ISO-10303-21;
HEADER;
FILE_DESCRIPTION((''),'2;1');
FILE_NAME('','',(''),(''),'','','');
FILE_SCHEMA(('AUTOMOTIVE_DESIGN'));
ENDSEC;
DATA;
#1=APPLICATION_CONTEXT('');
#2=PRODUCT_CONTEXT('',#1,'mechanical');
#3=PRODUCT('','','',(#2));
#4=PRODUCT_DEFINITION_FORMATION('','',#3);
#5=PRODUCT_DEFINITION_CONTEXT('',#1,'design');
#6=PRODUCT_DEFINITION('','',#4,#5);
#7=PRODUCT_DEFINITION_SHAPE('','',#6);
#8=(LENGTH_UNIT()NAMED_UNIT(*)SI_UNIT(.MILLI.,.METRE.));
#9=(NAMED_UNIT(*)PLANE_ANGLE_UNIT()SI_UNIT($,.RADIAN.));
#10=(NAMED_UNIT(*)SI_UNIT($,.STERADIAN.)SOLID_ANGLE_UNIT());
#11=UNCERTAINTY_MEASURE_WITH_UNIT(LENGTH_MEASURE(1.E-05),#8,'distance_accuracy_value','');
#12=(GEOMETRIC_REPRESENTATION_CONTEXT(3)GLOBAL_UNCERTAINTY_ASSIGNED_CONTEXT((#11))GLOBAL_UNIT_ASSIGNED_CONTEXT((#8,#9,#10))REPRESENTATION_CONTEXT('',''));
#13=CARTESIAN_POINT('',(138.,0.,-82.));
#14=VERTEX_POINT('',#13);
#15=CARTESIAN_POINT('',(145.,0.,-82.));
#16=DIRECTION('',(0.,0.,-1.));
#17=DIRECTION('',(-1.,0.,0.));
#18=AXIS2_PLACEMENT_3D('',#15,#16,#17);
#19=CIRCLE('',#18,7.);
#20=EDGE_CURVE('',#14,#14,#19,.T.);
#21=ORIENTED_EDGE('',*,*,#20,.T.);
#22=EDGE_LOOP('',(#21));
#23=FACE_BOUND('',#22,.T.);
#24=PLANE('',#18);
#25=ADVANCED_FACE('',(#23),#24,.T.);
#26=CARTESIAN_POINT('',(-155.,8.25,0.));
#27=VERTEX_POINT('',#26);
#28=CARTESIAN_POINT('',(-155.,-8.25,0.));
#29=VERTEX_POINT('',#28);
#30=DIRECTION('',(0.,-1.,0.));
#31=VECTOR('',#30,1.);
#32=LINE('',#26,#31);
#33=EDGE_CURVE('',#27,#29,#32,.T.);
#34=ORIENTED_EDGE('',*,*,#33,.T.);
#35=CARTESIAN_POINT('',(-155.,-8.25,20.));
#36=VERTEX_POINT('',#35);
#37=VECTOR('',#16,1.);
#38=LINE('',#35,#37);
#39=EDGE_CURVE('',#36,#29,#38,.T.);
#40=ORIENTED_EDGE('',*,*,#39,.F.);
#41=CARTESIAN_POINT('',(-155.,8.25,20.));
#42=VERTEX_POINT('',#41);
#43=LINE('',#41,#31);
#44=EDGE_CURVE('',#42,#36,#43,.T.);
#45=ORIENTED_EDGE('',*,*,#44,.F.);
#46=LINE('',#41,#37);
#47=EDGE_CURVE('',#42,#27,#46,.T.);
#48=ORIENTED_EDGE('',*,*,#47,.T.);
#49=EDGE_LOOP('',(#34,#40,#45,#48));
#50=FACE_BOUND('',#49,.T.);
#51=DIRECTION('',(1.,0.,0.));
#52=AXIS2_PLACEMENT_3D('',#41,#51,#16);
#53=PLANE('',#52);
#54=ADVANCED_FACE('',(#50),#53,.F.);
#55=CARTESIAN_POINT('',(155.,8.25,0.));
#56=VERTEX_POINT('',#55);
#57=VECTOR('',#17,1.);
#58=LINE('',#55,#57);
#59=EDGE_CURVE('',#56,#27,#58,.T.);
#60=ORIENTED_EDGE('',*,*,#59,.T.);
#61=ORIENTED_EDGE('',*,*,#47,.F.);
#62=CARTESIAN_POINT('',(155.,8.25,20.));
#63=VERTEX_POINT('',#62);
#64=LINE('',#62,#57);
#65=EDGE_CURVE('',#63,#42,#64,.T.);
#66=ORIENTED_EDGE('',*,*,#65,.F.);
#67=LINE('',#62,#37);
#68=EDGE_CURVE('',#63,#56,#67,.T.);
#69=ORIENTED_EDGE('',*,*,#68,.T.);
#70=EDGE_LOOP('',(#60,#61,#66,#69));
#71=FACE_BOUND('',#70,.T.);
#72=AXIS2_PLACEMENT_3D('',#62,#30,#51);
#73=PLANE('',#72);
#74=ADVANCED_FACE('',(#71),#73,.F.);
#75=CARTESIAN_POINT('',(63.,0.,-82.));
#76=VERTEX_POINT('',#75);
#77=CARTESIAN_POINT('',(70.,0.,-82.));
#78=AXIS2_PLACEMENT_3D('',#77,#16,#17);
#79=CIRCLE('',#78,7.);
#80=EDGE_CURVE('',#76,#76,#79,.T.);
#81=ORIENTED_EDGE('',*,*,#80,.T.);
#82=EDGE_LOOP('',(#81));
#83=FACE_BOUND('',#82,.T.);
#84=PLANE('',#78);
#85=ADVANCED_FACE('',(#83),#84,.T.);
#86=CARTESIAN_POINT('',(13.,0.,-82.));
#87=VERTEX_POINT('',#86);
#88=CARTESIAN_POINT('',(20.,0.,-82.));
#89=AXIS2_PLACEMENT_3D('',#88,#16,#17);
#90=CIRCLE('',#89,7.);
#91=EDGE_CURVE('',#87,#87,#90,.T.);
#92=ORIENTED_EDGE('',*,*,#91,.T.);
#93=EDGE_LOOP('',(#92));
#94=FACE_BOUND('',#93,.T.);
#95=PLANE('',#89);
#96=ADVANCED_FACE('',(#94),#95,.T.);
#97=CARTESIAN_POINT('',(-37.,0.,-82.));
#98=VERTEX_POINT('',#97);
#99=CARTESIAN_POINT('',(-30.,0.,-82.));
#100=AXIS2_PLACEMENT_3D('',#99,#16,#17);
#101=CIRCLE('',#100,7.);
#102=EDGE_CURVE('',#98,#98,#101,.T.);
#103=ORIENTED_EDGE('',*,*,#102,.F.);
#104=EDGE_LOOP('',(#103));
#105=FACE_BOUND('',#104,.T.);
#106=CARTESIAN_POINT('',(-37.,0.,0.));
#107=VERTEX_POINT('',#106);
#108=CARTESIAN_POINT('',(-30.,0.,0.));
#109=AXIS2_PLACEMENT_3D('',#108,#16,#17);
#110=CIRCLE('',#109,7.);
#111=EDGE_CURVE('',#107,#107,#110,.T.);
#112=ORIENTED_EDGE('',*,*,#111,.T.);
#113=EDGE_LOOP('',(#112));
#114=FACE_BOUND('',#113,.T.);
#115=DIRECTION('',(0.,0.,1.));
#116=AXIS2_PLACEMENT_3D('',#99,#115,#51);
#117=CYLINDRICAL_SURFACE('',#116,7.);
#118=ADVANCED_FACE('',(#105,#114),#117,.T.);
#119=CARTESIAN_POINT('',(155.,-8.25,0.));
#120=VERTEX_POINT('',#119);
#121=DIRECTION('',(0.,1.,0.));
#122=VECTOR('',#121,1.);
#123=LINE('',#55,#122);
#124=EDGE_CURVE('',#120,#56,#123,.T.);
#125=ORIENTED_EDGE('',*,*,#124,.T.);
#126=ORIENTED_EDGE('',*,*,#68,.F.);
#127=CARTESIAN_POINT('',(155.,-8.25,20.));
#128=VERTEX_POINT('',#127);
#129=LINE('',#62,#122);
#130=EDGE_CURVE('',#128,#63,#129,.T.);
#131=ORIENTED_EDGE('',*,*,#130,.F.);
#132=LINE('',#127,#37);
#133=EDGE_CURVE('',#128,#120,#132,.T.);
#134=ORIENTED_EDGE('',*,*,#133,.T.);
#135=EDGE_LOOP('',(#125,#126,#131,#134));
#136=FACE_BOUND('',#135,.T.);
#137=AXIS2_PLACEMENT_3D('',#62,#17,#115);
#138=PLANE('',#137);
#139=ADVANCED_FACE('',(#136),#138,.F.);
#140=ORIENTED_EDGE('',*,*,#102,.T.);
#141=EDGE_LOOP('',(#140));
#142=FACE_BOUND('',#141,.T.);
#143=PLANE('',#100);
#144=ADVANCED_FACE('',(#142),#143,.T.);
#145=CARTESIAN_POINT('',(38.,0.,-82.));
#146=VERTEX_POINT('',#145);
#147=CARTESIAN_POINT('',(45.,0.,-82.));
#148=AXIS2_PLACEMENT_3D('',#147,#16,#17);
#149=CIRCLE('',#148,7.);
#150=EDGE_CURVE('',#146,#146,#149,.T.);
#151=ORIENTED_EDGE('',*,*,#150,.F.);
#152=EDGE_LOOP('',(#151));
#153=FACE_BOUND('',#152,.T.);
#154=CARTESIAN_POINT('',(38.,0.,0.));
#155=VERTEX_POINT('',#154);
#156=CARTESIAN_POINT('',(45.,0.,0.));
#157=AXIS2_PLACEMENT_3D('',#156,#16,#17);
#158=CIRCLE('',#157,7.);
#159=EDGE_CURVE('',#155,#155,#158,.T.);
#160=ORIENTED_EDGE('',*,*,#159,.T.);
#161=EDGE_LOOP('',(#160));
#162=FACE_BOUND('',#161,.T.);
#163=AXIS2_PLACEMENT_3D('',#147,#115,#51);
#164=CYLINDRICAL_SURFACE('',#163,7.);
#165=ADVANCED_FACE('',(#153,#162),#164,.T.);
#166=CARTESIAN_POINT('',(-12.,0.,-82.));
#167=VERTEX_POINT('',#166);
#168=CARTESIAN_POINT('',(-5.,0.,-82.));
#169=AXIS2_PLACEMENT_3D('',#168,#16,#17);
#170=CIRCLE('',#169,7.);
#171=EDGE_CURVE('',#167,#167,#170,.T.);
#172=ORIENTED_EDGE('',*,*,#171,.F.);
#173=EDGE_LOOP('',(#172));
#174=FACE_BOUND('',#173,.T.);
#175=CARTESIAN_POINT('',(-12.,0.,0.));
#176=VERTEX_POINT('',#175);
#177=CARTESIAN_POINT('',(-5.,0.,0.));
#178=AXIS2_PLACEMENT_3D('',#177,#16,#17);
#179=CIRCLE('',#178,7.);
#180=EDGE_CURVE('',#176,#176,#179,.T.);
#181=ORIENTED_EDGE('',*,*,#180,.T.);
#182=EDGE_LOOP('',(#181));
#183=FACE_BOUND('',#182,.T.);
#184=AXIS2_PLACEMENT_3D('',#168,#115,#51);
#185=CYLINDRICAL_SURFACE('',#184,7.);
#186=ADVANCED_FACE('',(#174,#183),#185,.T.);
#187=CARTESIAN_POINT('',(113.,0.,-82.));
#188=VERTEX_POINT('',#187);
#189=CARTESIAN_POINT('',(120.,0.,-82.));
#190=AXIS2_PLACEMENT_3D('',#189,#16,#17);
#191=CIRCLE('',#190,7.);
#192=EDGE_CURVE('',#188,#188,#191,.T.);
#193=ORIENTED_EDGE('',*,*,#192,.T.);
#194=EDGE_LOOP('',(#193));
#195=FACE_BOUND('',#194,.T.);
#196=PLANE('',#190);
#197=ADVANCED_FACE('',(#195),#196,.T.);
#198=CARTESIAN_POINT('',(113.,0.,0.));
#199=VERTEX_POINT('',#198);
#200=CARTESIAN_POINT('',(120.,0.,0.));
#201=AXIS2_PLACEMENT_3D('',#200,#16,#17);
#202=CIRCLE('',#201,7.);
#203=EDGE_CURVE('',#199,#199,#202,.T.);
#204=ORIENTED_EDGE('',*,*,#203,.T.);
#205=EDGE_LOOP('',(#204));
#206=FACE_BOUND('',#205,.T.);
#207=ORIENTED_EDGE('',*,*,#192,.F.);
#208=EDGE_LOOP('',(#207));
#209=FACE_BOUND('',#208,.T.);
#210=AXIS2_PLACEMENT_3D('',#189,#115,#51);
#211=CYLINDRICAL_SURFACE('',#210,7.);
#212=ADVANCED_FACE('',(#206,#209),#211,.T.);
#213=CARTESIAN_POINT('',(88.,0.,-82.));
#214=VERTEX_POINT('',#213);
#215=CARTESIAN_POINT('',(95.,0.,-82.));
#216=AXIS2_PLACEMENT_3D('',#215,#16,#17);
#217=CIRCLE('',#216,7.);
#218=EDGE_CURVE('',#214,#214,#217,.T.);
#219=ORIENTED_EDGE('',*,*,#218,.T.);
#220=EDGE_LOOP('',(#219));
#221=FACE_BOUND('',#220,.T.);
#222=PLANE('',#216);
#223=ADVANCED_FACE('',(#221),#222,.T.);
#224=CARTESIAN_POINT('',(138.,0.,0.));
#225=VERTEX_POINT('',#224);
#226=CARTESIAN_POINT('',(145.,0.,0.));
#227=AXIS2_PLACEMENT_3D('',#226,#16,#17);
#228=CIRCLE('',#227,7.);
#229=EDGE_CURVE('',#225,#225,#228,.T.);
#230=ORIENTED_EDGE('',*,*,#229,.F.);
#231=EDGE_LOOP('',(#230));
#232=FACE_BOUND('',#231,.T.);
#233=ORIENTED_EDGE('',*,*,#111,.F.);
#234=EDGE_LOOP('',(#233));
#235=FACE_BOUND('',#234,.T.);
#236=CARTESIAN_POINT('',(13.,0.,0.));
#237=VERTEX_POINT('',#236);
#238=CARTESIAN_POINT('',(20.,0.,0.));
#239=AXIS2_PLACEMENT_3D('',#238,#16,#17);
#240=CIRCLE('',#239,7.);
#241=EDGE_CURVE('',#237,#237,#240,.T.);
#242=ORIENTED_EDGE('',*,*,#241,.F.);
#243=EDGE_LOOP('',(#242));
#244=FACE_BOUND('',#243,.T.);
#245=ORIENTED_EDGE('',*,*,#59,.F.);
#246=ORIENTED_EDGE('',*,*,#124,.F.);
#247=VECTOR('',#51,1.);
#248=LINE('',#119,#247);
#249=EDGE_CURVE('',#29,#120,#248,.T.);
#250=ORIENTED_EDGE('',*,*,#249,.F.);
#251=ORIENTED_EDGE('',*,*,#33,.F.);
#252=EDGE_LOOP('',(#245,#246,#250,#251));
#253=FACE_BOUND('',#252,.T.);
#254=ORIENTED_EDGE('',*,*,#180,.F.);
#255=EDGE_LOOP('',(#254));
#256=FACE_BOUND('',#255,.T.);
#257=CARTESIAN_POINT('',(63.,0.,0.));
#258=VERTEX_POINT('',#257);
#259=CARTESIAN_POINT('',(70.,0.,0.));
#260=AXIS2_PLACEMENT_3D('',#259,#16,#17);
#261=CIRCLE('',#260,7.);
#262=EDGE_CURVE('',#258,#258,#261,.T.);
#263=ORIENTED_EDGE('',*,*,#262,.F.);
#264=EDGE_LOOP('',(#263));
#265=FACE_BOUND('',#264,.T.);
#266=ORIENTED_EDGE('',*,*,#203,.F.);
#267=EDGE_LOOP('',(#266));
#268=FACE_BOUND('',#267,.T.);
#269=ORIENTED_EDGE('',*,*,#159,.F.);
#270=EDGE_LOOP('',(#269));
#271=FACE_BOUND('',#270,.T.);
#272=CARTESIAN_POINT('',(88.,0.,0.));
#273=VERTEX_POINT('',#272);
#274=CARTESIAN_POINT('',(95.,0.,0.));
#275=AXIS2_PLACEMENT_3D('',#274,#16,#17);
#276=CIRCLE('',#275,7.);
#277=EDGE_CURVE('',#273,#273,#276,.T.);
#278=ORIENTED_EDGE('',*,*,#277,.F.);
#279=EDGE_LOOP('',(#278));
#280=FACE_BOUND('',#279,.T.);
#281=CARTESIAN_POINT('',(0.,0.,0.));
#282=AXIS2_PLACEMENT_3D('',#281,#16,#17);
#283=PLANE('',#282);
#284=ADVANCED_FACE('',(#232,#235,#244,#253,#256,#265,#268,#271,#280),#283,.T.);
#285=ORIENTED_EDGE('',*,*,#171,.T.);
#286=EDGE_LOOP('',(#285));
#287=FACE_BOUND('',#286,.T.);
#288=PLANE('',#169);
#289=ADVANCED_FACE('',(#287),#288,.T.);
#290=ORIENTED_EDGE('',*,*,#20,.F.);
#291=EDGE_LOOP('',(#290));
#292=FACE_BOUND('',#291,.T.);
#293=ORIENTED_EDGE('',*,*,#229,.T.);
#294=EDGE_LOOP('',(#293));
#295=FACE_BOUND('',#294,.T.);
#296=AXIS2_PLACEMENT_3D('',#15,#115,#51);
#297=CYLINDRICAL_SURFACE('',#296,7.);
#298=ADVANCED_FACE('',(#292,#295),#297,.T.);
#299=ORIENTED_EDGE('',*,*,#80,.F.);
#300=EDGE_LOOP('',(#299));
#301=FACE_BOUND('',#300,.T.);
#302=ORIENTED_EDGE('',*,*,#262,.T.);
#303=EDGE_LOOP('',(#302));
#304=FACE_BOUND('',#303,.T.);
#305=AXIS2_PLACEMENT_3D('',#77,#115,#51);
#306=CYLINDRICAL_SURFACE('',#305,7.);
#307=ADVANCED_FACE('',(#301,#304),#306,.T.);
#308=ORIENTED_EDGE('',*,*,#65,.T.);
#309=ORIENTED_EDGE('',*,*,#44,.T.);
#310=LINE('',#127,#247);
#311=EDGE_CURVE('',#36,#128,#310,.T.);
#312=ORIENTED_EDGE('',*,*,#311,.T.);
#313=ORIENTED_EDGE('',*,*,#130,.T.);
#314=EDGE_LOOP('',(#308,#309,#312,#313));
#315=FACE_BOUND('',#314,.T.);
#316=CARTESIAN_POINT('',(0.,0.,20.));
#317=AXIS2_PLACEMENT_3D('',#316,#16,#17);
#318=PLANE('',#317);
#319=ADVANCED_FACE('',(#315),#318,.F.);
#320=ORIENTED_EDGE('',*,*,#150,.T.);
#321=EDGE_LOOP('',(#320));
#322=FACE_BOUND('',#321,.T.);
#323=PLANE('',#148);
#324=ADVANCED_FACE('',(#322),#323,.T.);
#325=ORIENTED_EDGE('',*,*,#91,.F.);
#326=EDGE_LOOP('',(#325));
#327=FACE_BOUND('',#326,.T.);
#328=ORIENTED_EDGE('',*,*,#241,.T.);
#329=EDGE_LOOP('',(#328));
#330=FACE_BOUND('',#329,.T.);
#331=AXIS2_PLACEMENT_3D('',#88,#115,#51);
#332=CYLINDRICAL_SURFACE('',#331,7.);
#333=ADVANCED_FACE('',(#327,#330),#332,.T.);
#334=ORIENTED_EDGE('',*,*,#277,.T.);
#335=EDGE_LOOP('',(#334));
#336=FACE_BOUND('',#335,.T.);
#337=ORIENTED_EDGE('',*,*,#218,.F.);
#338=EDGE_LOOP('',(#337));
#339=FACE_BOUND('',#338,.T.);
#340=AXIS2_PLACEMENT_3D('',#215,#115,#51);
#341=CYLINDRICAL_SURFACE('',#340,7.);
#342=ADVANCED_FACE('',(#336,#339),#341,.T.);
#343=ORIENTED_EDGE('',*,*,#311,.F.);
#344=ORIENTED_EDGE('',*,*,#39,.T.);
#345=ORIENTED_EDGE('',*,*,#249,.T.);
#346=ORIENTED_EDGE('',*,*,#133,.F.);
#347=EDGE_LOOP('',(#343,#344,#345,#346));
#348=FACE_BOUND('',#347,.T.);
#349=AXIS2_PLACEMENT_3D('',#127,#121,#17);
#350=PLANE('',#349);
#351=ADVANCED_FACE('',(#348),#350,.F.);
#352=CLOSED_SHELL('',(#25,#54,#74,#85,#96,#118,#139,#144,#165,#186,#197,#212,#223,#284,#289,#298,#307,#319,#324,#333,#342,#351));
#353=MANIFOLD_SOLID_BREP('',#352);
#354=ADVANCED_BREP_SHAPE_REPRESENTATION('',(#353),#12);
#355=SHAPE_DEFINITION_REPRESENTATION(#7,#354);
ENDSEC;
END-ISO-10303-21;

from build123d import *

# Parameters (mm, degrees)
SKETCH2_W           = 310
SKETCH2_H           = 16.5
BOSS_EXTRUDE1_DEPTH = 20
SKETCH3_R           = 7
BOSS_EXTRUDE2_DEPTH = 82
LPATTERN1_COUNT     = 8
LPATTERN1_PITCH     = 25


with BuildPart() as part:
    # Sketch2 → Boss-Extrude1 (new body)
    with BuildSketch(Plane.XY):
        Rectangle(SKETCH2_W, SKETCH2_H)
    extrude(amount=BOSS_EXTRUDE1_DEPTH)

    # Sketch3 → Boss-Extrude2 (add)
    with BuildSketch(Plane(origin=(0, 0, 0), x_dir=(-1, 0, 0), z_dir=(0, 0, -1))):
        with Locations((-145, 0)):
            Circle(SKETCH3_R)
    boss_extrude2 = extrude(amount=BOSS_EXTRUDE2_DEPTH)

    # LPattern1: Boss-Extrude2 ×8
    with Locations(*[(-i * LPATTERN1_PITCH, 0, 0) for i in range(1, LPATTERN1_COUNT)]):
        add(boss_extrude2)


solid = part.part
